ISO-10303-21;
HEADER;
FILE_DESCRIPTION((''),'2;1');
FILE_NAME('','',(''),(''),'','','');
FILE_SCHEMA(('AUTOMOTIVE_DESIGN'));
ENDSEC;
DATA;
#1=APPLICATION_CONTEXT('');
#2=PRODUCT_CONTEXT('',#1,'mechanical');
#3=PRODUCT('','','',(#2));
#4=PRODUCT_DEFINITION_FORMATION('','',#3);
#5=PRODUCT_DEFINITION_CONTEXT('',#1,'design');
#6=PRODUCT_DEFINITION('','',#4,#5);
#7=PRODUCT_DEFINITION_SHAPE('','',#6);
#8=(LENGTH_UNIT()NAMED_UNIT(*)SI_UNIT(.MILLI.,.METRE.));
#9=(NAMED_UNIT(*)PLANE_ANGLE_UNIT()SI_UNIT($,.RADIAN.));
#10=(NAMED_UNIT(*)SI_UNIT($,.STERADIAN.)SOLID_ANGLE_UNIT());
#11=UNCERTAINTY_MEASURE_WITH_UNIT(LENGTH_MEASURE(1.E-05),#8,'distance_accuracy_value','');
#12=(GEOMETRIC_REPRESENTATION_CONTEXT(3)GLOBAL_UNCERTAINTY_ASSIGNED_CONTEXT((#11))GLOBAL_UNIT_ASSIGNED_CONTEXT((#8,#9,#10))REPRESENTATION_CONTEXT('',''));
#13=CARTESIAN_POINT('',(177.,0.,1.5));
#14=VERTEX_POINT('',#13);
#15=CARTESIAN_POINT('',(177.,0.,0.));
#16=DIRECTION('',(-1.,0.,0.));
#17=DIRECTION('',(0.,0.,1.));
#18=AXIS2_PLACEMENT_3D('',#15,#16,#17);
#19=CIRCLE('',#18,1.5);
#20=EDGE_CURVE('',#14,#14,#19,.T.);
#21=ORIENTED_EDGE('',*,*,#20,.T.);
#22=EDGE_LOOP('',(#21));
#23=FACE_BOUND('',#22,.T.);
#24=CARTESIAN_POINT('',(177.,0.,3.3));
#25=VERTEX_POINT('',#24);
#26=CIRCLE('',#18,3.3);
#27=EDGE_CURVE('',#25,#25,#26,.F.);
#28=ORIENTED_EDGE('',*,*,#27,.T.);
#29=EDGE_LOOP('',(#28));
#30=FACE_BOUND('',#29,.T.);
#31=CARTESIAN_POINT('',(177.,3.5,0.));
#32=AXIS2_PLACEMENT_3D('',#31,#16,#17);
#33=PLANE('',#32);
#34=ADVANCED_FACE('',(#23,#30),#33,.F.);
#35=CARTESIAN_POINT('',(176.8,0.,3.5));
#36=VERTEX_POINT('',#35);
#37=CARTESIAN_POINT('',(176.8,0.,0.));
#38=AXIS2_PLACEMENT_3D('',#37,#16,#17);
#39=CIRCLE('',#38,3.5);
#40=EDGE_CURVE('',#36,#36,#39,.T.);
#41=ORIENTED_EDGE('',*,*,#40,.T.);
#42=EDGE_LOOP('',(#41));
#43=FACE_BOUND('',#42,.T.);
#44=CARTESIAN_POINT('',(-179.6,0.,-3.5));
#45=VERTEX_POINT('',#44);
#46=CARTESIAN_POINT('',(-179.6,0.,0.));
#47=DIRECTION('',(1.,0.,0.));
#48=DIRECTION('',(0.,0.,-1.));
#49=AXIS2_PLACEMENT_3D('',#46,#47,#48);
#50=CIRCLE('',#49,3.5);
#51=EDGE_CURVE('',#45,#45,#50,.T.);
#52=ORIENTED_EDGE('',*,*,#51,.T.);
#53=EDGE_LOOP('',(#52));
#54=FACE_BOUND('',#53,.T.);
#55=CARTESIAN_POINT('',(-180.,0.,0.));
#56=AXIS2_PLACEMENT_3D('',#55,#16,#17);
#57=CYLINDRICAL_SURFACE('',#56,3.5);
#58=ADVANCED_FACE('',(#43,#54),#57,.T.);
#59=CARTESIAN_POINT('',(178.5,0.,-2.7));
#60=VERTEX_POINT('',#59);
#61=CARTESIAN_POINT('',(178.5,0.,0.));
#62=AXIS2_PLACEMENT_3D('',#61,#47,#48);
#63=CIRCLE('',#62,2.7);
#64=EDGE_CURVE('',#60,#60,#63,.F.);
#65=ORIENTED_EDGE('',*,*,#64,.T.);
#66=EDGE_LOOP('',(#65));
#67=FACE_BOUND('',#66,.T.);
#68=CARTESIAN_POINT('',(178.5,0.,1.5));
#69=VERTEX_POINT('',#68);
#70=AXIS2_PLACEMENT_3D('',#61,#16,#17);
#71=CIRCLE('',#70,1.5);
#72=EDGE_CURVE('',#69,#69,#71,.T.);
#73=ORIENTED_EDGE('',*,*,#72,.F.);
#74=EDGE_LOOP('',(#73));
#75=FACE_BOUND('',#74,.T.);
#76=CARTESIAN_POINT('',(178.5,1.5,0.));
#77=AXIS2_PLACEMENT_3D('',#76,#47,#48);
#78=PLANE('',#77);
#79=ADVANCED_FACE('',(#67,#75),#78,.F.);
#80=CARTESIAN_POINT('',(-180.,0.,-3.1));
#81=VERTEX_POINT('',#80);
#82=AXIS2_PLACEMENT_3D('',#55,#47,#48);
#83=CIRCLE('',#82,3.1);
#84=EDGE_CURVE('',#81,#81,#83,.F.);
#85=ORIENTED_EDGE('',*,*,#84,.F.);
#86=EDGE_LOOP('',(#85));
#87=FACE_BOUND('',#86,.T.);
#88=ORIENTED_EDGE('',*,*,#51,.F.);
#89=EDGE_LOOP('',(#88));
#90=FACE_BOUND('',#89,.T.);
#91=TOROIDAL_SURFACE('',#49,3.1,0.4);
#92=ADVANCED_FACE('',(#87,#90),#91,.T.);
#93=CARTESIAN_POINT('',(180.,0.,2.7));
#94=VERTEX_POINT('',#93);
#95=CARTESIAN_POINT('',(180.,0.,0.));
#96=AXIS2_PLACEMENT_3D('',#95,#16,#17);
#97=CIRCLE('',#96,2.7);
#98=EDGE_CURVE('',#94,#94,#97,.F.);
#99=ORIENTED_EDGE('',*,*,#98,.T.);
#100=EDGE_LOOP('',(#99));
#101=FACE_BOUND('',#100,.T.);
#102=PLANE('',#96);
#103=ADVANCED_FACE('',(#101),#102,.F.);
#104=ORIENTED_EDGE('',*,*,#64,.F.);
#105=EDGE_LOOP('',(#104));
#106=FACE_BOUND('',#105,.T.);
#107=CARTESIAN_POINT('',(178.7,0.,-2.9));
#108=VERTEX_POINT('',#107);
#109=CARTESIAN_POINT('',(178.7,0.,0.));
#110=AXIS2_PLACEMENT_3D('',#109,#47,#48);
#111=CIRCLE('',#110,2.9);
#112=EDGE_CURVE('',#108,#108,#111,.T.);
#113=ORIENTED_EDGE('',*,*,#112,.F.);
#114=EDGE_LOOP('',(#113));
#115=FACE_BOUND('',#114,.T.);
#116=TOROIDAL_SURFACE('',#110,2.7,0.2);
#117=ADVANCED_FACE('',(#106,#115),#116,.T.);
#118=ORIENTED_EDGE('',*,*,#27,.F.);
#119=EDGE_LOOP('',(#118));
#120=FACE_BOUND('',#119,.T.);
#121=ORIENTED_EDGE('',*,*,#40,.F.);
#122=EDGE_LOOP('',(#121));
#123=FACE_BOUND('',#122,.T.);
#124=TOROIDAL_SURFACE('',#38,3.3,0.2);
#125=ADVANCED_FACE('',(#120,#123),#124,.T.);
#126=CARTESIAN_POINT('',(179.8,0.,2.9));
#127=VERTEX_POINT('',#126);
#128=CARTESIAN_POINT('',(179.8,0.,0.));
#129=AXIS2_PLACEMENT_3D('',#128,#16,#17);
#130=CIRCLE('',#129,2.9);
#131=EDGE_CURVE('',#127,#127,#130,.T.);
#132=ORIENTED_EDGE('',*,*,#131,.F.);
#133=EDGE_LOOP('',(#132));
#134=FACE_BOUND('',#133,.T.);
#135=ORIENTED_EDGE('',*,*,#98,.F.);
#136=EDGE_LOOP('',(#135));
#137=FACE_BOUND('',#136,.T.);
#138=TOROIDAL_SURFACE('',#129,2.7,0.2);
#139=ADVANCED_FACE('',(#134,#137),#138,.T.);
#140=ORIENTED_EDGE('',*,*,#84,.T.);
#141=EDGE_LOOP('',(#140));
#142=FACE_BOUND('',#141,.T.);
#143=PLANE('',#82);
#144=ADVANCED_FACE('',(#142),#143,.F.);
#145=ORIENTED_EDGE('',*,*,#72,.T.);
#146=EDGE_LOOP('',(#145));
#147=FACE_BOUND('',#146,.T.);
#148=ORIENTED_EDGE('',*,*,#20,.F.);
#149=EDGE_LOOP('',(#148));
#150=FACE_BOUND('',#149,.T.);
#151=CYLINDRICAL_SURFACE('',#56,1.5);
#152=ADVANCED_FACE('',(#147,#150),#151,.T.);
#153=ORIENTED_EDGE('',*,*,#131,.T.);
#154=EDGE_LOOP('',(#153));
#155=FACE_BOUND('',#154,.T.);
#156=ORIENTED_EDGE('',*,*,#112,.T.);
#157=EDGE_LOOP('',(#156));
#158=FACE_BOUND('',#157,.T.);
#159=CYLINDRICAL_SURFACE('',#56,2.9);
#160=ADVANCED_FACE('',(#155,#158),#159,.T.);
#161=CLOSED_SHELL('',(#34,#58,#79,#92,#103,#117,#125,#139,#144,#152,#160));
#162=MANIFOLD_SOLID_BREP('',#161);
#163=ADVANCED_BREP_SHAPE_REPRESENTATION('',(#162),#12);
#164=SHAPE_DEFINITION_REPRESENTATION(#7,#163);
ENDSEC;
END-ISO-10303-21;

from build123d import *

# Parameters (mm, degrees)
FILLET1_R = 0.2
FILLET2_R = 0.2
FILLET3_R = 0.4


with BuildPart() as part:
    # Sketch1 → Revolve1 (revolve)
    with BuildSketch(Plane.XY, mode=Mode.PRIVATE) as revolve1_sk:
        Polygon((-180, 0), (180, 0), (180, 2.9), (178.5, 2.9), (178.5, 1.5), (177, 1.5), (177, 3.5), (-180, 3.5), align=None)
    revolve(revolve1_sk.sketch.rotate(Axis((-180, 0, 0), (1, 0, 0)), 90), axis=Axis((-180, 0, 0), (1, 0, 0)))

    # Fillet1
    fillet1_edges = [part.edges().sort_by_distance(p)[0] for p in [
        (177, 0, -3.5),
    ]]
    fillet(fillet1_edges, radius=FILLET1_R)

    # Fillet2
    fillet2_edges = [part.edges().sort_by_distance(p)[0] for p in [
        (180, 0, -2.9),
        (178.5, 0, -2.9),
    ]]
    fillet(fillet2_edges, radius=FILLET2_R)

    # Fillet3
    fillet3_edges = [part.edges().sort_by_distance(p)[0] for p in [
        (-180, 0, -3.5),
    ]]
    fillet(fillet3_edges, radius=FILLET3_R)


solid = part.part
